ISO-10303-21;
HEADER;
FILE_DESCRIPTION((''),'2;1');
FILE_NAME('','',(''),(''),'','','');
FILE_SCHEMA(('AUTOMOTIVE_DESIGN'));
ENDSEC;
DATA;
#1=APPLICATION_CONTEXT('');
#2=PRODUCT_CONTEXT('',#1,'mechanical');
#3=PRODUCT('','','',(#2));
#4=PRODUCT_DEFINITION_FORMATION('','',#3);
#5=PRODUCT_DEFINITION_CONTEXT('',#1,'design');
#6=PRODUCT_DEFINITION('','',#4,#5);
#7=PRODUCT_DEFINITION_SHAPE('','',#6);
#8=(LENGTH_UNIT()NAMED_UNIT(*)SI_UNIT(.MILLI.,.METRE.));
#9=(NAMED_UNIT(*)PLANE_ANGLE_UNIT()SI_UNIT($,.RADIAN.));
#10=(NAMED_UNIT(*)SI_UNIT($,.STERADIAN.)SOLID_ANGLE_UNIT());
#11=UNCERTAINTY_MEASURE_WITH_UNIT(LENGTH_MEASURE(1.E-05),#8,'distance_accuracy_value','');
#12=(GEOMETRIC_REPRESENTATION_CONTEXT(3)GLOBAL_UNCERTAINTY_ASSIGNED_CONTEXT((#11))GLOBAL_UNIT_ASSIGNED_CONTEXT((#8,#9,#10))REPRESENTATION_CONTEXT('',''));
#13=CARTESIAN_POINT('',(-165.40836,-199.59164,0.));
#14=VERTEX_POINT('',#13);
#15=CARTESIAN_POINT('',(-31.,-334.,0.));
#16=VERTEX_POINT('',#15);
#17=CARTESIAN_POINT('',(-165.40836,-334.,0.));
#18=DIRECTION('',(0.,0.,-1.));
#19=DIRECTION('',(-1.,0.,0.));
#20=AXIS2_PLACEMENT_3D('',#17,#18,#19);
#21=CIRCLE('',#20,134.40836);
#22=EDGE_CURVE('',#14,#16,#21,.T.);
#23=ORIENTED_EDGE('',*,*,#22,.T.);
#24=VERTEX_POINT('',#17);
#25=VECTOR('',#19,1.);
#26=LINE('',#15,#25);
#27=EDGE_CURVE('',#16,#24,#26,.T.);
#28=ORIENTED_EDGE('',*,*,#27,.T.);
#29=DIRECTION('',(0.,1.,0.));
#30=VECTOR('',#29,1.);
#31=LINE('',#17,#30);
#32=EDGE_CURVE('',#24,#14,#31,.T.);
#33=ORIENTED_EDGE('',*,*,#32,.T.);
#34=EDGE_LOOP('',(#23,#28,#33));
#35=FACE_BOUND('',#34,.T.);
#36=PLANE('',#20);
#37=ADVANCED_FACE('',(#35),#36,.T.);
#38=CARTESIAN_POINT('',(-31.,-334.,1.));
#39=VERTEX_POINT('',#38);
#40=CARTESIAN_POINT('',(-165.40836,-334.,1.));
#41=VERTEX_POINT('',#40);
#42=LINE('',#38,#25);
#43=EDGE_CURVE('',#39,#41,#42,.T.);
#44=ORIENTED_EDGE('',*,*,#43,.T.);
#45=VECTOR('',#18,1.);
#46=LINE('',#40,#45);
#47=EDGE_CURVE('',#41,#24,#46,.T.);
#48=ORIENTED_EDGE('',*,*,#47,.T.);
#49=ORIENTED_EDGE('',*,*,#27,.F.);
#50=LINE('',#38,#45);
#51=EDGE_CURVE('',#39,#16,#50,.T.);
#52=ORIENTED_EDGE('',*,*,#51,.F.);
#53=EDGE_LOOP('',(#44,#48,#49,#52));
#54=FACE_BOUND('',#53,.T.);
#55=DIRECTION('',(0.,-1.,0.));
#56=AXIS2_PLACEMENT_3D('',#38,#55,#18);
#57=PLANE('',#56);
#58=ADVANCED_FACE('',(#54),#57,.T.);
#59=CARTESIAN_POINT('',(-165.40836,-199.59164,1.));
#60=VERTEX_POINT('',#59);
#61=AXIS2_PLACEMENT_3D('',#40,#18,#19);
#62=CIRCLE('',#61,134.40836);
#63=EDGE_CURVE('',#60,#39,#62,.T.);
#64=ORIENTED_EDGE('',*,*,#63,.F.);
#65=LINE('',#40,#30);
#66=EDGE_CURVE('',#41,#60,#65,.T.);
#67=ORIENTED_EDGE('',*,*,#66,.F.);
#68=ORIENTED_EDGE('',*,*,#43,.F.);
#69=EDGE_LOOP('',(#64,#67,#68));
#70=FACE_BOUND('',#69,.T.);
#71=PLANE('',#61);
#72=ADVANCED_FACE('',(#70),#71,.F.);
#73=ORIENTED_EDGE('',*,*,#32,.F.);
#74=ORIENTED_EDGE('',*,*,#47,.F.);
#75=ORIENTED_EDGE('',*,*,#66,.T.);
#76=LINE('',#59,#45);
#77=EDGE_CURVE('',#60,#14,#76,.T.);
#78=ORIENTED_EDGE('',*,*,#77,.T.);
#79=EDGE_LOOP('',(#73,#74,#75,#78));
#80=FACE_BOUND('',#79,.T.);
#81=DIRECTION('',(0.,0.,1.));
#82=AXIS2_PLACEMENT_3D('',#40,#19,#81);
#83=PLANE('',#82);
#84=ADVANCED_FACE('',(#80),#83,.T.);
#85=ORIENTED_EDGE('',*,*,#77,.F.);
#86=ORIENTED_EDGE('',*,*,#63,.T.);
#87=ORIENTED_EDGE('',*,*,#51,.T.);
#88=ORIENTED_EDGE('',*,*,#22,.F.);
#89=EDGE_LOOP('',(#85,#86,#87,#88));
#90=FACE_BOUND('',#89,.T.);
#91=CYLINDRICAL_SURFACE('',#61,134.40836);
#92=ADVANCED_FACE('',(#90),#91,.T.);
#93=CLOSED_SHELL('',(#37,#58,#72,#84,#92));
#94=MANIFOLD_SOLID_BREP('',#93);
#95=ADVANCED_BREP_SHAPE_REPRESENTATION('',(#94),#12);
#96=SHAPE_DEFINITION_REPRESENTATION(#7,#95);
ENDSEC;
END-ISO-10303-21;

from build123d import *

# Parameters (mm, degrees)
BOSS_EXTRUDE1_DEPTH = 1


with BuildPart() as part:
    # Sketch1 → Boss-Extrude1 (new body)
    with BuildSketch(Plane.XY):
        with BuildLine():
            Line((-31, -334), (-165.408360025, -334))
            Line((-165.408360025, -334), (-165.408360025, -199.591639975))
            ThreePointArc((-165.408360025, -199.591639975), (-70.367297203, -238.958937178), (-31, -334))
        make_face()
    extrude(amount=BOSS_EXTRUDE1_DEPTH)


solid = part.part
